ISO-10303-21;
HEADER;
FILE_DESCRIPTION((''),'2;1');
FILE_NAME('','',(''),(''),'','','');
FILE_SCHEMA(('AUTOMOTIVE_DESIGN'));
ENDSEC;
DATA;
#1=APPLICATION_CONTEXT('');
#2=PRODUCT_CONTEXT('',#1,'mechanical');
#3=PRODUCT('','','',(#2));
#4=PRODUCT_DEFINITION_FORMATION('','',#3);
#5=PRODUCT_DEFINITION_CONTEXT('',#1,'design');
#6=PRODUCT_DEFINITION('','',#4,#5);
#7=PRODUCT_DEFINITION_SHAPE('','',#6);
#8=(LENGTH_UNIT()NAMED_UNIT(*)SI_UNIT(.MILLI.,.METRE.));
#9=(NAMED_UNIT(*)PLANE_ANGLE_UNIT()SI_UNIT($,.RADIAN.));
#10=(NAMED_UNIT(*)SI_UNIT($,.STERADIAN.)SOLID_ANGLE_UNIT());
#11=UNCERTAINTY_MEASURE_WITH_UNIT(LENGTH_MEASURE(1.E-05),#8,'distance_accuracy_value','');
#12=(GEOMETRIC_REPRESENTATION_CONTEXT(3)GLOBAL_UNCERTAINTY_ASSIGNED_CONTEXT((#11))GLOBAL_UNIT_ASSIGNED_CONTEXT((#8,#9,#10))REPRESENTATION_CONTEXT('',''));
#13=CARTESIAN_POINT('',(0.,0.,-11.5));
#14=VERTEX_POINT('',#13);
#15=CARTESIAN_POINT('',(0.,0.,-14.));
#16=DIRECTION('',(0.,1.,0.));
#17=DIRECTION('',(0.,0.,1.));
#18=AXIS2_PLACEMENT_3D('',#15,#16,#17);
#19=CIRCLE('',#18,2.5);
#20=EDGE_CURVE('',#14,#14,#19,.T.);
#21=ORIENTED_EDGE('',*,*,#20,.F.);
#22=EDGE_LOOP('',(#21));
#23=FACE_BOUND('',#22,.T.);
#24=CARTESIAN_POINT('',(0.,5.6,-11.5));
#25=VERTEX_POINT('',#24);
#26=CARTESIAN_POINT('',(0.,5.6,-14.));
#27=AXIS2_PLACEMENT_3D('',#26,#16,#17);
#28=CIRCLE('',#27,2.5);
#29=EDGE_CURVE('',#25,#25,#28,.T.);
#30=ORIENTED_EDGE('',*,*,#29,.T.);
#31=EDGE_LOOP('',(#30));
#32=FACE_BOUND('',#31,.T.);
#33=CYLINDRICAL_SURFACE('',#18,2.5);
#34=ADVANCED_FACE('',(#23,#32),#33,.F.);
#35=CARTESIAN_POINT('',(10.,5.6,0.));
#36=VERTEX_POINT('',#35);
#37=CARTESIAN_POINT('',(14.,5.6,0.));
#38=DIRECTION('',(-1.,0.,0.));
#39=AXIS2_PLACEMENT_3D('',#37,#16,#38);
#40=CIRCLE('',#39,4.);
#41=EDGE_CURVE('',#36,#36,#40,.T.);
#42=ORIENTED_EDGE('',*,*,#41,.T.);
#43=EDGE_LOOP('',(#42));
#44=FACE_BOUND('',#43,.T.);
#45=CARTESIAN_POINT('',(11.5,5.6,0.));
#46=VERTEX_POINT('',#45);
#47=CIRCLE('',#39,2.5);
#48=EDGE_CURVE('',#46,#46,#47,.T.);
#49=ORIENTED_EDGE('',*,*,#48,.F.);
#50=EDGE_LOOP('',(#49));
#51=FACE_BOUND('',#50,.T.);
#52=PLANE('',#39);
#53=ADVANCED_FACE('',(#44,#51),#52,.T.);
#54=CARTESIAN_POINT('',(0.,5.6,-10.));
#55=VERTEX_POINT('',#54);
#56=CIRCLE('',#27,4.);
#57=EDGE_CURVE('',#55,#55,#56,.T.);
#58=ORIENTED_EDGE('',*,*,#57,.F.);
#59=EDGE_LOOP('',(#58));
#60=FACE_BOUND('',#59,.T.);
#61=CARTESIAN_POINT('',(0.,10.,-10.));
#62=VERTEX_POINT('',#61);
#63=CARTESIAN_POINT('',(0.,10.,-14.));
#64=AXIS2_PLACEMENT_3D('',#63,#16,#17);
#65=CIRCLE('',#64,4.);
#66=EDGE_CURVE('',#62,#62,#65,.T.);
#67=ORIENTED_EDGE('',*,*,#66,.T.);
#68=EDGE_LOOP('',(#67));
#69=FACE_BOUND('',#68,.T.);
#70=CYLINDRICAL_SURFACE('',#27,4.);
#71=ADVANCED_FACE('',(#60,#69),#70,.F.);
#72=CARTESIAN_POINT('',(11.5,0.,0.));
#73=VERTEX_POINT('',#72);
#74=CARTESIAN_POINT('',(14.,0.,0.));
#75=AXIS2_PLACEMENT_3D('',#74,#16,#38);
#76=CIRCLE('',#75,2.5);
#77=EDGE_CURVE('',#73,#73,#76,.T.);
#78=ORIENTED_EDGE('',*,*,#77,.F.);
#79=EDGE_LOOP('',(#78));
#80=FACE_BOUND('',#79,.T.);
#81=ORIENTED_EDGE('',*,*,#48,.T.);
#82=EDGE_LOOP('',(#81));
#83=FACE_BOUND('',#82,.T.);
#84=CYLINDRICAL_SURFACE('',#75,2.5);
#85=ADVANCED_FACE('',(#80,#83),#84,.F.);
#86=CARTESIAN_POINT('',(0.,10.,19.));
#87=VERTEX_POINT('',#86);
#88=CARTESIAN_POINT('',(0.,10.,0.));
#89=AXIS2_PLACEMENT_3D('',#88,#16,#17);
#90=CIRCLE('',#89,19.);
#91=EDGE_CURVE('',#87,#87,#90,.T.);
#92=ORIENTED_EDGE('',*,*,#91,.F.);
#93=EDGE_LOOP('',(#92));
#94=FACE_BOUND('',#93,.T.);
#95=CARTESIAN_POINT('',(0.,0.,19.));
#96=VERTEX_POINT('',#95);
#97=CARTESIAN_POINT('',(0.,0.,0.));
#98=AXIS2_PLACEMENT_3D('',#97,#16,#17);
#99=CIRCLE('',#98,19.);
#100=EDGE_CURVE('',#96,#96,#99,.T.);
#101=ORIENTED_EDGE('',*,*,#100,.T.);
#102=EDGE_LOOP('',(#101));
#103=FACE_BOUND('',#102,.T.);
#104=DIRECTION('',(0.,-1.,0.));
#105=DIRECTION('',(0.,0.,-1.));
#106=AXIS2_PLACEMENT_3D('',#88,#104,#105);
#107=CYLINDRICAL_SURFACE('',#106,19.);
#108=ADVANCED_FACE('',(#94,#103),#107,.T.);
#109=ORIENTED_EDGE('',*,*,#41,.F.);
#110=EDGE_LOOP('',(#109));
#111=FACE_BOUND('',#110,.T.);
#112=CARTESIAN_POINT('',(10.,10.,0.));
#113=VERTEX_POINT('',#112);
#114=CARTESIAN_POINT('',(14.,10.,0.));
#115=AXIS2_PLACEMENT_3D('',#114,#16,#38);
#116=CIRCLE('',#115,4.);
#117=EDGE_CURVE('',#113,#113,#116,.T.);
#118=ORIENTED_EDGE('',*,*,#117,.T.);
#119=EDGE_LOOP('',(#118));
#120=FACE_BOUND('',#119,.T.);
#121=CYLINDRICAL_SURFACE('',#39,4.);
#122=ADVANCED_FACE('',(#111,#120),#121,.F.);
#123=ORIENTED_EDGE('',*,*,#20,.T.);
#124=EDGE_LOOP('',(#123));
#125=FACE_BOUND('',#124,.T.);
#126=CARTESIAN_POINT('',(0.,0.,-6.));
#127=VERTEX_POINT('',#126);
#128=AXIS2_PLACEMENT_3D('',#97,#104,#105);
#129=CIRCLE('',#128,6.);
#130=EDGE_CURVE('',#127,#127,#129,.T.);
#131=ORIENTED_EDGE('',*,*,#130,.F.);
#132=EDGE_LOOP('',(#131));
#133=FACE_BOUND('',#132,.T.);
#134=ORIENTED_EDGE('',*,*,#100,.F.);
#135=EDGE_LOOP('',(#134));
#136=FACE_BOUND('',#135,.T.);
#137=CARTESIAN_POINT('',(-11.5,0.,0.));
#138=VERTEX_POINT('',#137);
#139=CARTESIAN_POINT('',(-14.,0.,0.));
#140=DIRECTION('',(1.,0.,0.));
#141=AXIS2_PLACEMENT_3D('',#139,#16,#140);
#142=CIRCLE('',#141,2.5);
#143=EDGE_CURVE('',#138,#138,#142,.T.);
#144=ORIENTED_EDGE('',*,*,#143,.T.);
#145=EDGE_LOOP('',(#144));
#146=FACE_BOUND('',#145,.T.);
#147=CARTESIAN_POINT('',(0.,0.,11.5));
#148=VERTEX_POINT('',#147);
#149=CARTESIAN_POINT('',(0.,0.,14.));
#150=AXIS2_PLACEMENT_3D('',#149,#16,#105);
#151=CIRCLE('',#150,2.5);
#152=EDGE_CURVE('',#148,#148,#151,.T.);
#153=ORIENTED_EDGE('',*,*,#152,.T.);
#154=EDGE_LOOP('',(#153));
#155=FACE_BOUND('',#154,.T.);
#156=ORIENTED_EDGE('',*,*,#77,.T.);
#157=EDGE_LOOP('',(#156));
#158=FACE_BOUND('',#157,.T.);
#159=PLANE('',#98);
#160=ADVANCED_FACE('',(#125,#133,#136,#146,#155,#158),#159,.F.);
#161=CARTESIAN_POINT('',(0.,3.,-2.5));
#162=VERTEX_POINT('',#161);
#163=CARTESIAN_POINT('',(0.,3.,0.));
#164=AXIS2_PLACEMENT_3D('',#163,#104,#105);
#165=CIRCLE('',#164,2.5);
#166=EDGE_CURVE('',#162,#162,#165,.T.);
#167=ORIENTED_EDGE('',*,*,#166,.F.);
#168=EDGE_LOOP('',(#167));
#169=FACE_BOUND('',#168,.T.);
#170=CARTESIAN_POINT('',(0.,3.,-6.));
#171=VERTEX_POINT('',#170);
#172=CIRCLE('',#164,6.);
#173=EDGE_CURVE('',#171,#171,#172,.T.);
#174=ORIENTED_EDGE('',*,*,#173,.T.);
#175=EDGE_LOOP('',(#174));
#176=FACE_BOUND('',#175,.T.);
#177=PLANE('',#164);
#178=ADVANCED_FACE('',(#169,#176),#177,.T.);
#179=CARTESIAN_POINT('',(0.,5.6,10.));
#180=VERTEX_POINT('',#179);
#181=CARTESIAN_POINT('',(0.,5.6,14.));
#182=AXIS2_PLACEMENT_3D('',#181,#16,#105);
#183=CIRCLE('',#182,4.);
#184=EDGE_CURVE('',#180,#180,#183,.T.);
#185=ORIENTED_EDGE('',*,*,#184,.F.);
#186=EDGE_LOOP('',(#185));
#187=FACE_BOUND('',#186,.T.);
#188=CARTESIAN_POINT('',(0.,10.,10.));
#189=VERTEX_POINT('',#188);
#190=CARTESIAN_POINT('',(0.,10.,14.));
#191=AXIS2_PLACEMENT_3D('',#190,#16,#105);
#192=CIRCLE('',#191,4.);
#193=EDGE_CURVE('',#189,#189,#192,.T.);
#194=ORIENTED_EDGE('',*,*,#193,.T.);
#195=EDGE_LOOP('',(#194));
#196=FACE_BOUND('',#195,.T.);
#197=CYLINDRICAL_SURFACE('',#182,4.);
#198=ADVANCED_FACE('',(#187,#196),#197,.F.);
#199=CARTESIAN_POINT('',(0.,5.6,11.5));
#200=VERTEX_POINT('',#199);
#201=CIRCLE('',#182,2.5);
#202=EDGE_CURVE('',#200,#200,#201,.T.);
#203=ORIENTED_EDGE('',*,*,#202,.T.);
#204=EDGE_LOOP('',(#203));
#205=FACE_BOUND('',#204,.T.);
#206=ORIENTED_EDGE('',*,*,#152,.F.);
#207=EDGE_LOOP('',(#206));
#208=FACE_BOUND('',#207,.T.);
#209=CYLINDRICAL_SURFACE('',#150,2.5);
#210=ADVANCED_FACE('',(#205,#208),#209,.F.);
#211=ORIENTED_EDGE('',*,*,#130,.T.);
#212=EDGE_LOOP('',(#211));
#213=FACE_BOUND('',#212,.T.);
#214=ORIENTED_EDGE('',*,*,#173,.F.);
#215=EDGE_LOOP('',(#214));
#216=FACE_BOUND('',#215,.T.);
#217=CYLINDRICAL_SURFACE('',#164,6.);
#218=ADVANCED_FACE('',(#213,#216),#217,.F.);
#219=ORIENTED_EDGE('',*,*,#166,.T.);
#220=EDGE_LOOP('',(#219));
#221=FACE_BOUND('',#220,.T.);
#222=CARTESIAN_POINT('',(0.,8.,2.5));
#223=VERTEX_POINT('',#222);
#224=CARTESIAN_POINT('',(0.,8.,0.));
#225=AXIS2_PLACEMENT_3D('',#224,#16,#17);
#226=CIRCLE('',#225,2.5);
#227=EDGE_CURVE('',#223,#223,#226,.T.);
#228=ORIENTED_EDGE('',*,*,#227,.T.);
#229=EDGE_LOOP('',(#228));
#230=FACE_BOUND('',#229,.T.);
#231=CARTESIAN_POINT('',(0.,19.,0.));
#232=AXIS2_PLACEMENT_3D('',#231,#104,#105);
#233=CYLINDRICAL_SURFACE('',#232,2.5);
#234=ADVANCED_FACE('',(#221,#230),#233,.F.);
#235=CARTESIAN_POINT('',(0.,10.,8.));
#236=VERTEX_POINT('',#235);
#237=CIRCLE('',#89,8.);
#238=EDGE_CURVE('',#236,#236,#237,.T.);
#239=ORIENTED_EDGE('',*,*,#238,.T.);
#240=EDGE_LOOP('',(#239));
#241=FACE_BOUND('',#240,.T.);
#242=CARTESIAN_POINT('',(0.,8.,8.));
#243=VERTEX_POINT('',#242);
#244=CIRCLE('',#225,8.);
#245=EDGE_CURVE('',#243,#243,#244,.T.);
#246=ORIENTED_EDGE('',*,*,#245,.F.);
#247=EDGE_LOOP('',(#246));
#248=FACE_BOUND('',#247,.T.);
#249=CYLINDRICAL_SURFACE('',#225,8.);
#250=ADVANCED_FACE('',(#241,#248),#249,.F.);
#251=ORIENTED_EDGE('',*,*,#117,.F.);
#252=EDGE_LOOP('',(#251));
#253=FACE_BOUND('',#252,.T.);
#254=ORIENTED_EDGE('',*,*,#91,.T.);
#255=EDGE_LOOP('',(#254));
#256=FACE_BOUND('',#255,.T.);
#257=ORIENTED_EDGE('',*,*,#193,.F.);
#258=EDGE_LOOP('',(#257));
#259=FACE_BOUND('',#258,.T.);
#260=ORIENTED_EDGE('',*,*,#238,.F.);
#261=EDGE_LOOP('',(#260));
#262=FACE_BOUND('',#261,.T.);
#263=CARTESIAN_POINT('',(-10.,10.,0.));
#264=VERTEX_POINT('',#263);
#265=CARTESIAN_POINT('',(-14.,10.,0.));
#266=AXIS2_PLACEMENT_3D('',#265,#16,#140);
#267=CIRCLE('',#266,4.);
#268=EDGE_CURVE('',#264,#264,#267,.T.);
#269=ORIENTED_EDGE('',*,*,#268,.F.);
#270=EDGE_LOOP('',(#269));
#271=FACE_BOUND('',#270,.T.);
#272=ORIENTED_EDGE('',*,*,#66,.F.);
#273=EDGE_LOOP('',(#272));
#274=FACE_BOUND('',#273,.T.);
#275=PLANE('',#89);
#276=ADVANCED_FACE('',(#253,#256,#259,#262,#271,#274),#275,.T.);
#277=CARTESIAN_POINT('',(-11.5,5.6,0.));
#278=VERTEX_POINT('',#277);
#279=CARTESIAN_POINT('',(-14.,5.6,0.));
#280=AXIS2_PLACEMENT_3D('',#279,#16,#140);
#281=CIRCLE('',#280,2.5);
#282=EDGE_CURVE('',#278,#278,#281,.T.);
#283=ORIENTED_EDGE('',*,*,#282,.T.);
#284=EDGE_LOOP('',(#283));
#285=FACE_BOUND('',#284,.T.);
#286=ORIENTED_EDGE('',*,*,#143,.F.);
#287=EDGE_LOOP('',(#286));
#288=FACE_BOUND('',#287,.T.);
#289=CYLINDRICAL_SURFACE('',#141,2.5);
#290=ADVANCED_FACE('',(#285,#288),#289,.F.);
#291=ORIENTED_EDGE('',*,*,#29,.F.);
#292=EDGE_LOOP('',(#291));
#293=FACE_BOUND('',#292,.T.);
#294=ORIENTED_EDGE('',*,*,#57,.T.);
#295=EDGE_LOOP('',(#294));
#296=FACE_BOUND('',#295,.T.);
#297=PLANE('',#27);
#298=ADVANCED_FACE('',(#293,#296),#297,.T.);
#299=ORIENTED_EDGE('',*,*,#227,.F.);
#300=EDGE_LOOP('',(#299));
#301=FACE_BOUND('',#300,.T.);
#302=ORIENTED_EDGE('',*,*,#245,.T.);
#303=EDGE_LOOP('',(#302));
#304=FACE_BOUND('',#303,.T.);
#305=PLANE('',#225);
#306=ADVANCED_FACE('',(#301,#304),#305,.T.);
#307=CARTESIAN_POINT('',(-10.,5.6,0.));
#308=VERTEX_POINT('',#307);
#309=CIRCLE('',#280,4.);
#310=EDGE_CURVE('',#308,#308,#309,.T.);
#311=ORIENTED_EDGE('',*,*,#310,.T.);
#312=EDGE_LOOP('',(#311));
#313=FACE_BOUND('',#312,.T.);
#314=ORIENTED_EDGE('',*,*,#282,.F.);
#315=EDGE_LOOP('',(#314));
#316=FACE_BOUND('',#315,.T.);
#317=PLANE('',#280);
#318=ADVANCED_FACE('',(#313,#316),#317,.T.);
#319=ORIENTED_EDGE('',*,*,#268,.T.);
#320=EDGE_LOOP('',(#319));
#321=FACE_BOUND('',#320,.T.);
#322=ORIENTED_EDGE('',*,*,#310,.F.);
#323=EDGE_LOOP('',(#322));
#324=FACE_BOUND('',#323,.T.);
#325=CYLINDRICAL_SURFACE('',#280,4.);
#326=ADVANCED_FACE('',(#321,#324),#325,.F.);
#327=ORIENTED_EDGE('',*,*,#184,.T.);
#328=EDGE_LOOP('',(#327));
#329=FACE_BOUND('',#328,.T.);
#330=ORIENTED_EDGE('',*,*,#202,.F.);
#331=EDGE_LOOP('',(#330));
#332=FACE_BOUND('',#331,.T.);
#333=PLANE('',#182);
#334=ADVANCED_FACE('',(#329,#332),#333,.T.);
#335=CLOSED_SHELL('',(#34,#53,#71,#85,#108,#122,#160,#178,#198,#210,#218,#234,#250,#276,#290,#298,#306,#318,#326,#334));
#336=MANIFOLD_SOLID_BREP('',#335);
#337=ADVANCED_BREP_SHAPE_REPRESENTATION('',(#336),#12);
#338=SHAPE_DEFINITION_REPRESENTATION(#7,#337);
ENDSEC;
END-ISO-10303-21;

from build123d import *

# Parameters (mm, degrees)
SKETCH_1_R               = 19
EXTRUDE_1_DEPTH          = 10
SKETCH_2_R               = 8
CUT_EXTRUDE_1_DEPTH      = 2
SKETCH_3_R               = 6
CUT_EXTRUDE_2_DEPTH      = 3
SKETCH_4_R               = 2.5
CUT_EXTRUDE_3_DEPTH      = 16
SKETCH_5_R               = 4
CUT_EXTRUDE_4_DEPTH      = 4.4
SKETCH_6_R               = 2.5
CUT_EXTRUDE_5_DEPTH      = 28.447404249
PATTERN_CIRCULAR_1_COUNT = 4


with BuildPart() as part:
    # 草图1 → 凸台-拉伸1 (new body)
    with BuildSketch(Plane(origin=(0, 0, 0), x_dir=(1, 0, 0), z_dir=(0, 1, 0))):
        with Locations(Location((0, 0, 0), (0, 0, 270))):
            Circle(SKETCH_1_R)
    extrude(amount=EXTRUDE_1_DEPTH)

    # 草图2 → 切除-拉伸1 (cut)
    with BuildSketch(Plane(origin=(0, 10, 0), x_dir=(1, 0, 0), z_dir=(0, 1, 0))):
        with Locations(Location((0, 0, 0), (0, 0, 270))):
            Circle(SKETCH_2_R)
    extrude(amount=-CUT_EXTRUDE_1_DEPTH, mode=Mode.SUBTRACT)

    # 草图3 → 切除-拉伸2 (cut)
    with BuildSketch(Plane.XZ):
        with Locations(Location((0, 0, 0), (0, 0, 270))):
            Circle(SKETCH_3_R)
    extrude(amount=-CUT_EXTRUDE_2_DEPTH, mode=Mode.SUBTRACT)

    # 草图4 → 切除-拉伸3 (cut)
    with BuildSketch(Plane.XZ.offset(-3)):
        with Locations(Location((0, 0, 0), (0, 0, 270))):
            Circle(SKETCH_4_R)
    extrude(amount=-CUT_EXTRUDE_3_DEPTH, mode=Mode.SUBTRACT)

    # 草图5 → 切除-拉伸4 (cut)
    with BuildSketch(Plane(origin=(0, 10, 0), x_dir=(1, 0, 0), z_dir=(0, 1, 0))):
        with Locations(Location((0, 14, 0), (0, 0, 270))):
            Circle(SKETCH_5_R)
    cut_extrude_4 = extrude(amount=-CUT_EXTRUDE_4_DEPTH, mode=Mode.SUBTRACT)

    # 草图6 → 切除-拉伸5 (cut, through all)
    with BuildSketch(Plane(origin=(0, 5.6, 0), x_dir=(1, 0, 0), z_dir=(0, 1, 0))):
        with Locations(Location((0, 14, 0), (0, 0, 270))):
            Circle(SKETCH_6_R)
    cut_extrude_5 = extrude(amount=-CUT_EXTRUDE_5_DEPTH, mode=Mode.SUBTRACT)

    # 阵列(圆周)1: 切除-拉伸4, 切除-拉伸5 ×4 about axis
    pattern_circular_1_axis = Axis((0, 0, 0), (0, 1, 0))
    add([cut_extrude_4.rotate(pattern_circular_1_axis, i * 360 / PATTERN_CIRCULAR_1_COUNT) for i in range(1, PATTERN_CIRCULAR_1_COUNT)], mode=Mode.SUBTRACT)
    add([cut_extrude_5.rotate(pattern_circular_1_axis, i * 360 / PATTERN_CIRCULAR_1_COUNT) for i in range(1, PATTERN_CIRCULAR_1_COUNT)], mode=Mode.SUBTRACT)


solid = part.part
